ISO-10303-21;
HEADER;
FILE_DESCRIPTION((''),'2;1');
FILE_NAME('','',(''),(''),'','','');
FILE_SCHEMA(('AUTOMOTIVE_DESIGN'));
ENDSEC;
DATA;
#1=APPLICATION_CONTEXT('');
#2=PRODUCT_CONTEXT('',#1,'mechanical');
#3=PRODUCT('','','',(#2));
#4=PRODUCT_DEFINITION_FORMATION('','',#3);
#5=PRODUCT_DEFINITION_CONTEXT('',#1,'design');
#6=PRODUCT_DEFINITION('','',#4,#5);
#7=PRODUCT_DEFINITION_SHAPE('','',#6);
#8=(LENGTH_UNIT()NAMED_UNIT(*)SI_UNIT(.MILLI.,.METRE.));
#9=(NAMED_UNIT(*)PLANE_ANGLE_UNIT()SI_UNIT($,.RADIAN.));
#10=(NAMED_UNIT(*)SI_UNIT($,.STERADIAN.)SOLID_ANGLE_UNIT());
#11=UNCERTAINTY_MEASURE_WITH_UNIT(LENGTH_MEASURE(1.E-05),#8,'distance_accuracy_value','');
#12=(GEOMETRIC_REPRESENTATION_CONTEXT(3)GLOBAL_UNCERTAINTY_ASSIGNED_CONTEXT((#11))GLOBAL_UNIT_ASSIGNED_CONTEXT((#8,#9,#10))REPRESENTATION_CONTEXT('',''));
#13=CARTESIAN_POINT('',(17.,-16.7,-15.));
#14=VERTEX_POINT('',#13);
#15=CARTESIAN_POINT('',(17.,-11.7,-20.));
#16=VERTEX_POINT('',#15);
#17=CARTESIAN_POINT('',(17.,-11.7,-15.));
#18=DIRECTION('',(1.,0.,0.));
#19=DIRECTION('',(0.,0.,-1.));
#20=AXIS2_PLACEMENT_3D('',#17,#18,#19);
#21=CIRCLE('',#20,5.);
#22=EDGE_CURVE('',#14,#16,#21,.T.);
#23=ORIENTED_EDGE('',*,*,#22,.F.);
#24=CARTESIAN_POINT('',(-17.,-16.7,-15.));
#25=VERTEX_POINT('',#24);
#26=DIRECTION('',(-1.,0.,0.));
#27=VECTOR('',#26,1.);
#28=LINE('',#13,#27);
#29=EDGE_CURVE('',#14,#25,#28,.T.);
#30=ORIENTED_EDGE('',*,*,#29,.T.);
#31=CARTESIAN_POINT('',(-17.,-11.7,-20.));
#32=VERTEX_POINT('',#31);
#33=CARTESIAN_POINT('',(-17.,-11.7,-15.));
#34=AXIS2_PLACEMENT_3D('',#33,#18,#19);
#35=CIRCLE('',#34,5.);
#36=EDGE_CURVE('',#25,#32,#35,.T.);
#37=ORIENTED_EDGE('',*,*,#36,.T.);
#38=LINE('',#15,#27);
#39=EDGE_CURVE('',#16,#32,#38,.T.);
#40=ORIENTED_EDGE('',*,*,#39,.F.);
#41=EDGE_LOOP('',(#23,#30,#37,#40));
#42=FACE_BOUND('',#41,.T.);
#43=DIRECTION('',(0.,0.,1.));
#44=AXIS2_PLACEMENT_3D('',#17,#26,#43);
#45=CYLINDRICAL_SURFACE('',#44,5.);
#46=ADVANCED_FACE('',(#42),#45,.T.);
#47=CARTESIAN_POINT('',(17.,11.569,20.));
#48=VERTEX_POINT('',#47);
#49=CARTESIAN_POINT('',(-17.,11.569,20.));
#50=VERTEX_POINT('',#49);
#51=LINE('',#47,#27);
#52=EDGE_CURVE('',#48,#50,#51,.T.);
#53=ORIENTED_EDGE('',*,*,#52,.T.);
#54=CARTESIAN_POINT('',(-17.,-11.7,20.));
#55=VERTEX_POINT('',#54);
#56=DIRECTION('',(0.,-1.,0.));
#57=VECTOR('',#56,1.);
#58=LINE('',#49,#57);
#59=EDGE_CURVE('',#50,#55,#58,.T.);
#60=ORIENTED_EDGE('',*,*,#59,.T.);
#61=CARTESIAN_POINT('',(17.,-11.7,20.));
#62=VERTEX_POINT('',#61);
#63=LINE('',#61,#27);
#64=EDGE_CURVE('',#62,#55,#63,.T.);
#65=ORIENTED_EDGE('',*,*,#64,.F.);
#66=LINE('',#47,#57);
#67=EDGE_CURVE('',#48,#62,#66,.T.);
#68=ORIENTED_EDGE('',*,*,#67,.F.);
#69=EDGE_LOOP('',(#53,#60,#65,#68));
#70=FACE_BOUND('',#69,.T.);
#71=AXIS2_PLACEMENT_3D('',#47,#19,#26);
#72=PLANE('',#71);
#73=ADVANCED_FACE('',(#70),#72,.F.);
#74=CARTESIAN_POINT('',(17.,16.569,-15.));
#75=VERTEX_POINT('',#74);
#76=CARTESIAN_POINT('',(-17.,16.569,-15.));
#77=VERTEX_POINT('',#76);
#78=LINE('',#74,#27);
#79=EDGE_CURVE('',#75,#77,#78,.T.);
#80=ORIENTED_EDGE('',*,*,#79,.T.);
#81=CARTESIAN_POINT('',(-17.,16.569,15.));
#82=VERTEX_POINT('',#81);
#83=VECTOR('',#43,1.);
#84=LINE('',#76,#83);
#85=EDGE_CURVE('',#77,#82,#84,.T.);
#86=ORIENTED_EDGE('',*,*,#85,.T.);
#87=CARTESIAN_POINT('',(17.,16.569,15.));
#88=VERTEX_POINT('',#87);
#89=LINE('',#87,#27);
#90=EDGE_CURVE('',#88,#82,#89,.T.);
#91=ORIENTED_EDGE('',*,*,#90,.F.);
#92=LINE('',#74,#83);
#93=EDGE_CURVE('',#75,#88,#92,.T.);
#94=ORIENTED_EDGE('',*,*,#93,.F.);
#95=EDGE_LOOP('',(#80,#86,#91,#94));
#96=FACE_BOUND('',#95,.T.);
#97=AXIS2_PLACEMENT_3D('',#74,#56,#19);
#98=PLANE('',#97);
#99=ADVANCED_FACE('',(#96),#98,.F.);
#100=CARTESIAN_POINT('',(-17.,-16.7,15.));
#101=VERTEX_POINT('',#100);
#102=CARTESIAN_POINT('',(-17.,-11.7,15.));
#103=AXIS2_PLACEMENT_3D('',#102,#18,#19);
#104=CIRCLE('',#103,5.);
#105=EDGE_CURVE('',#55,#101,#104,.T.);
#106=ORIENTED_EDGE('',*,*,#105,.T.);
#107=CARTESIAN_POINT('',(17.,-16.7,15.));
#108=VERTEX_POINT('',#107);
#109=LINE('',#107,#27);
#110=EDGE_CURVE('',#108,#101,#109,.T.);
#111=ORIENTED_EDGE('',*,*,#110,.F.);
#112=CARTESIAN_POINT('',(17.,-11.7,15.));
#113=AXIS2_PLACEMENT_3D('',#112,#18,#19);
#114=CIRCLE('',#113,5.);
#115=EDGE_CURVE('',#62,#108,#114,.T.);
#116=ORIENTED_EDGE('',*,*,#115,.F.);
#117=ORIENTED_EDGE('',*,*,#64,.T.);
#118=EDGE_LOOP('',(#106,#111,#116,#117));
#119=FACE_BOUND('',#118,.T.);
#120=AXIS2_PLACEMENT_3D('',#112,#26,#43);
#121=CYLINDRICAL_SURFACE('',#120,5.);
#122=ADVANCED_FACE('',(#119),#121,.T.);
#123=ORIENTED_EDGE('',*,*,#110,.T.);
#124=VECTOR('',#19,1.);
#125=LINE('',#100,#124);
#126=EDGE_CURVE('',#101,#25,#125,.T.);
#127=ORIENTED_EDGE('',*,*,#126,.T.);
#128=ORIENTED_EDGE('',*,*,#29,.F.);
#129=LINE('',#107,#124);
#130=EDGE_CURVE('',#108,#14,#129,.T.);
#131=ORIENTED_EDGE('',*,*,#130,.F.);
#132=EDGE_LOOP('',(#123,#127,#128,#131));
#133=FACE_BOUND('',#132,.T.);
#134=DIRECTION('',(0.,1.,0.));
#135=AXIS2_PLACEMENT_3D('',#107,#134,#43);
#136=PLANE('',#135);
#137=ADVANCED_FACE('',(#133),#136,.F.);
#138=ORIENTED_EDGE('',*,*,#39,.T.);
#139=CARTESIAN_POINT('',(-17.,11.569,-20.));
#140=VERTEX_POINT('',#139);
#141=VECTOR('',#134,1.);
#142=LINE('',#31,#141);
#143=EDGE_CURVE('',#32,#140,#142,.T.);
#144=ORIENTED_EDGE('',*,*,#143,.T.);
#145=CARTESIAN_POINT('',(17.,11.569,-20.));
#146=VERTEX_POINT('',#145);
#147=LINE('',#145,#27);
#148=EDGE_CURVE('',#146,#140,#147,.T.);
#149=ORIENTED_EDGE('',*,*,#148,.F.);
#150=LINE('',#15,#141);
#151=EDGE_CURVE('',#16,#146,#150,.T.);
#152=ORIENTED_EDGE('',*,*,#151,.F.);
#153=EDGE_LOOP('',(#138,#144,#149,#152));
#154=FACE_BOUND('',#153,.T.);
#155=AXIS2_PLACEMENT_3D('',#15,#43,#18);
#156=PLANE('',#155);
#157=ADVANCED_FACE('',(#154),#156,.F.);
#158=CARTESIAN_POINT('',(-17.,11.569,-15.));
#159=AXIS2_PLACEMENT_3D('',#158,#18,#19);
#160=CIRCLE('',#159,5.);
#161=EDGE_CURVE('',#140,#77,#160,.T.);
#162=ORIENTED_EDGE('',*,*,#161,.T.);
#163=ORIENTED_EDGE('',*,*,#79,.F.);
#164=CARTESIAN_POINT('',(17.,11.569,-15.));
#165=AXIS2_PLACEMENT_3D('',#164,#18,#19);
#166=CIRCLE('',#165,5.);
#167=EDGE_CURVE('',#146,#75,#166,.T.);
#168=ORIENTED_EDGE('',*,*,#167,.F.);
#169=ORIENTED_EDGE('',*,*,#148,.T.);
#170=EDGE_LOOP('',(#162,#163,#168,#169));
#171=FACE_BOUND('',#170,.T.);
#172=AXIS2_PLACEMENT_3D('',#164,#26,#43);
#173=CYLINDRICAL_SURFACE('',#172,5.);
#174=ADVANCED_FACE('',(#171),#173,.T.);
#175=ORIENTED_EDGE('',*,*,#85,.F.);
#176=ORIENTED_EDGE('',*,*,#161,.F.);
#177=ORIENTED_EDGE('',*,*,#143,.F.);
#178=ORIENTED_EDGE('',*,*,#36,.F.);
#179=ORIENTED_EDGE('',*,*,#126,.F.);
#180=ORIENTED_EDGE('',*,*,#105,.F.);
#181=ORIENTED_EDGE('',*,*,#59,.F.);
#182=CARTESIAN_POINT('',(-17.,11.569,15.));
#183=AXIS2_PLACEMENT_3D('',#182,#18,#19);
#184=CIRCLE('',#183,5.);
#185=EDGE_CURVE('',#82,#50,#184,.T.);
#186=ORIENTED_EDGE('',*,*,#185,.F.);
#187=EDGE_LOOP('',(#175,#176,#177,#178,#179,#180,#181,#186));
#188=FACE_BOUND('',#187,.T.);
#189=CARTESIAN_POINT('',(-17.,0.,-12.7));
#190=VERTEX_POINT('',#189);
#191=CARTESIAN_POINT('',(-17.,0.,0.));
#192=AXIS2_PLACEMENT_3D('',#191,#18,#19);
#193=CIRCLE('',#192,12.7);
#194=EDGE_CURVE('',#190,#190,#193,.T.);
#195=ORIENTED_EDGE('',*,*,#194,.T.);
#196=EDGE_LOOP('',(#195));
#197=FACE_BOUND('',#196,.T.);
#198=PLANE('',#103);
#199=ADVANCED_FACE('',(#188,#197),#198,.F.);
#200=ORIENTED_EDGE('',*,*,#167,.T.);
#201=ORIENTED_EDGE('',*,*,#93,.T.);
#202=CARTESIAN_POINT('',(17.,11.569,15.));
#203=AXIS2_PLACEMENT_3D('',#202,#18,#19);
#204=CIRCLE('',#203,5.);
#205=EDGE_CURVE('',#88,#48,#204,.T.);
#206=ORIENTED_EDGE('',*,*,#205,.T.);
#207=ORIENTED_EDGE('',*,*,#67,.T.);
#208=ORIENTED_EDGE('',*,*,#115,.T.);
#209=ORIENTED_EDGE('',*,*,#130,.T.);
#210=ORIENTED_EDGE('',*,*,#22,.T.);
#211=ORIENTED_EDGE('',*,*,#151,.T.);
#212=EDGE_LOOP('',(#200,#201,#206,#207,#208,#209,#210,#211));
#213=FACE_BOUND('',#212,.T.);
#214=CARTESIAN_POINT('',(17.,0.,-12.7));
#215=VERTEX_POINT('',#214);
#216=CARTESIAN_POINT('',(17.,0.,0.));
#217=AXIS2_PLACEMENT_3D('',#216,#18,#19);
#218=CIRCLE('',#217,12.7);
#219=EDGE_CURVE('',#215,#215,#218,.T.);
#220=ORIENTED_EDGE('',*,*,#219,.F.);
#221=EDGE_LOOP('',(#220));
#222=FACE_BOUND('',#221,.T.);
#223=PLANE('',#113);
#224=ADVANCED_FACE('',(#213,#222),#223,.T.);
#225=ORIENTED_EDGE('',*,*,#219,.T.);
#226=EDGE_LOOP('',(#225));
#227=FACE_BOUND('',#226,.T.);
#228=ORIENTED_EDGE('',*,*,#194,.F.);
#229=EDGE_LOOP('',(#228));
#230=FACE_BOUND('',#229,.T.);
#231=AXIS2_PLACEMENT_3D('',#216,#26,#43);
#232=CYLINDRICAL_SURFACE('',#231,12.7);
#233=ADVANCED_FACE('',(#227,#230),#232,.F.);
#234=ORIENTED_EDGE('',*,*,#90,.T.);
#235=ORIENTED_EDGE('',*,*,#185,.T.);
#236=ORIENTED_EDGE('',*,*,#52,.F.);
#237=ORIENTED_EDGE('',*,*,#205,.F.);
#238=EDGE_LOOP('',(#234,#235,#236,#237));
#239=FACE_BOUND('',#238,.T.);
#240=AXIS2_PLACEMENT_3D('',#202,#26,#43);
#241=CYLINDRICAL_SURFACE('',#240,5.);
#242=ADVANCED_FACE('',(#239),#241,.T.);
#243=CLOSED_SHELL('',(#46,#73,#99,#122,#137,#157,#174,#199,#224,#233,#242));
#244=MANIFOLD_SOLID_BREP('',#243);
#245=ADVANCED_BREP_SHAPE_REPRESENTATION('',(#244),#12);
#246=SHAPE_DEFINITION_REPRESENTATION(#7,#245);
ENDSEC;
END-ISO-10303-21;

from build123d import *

# Parameters (mm, degrees)
SKETCH1_R           = 12.7
BOSS_EXTRUDE1_DEPTH = 17


with BuildPart() as part:
    # Sketch1 → Boss-Extrude1 (new, symmetric)
    with BuildSketch(Plane(origin=(0, 0, 0), x_dir=(0, 0, -1), z_dir=(1, 0, 0))):
        with BuildLine():
            Line((-15, -16.7), (15, -16.7))
            ThreePointArc((15, -16.7), (18.535533906, -15.235533906), (20, -11.7))
            Line((20, -11.7), (20, 11.569))
            ThreePointArc((20, 11.569), (18.535533906, 15.104533906), (15, 16.569))
            Line((15, 16.569), (-15, 16.569))
            ThreePointArc((-15, 16.569), (-18.535533906, 15.104533906), (-20, 11.569))
            Line((-20, 11.569), (-20, -11.7))
            ThreePointArc((-20, -11.7), (-18.535533906, -15.235533906), (-15, -16.7))
        make_face()
        Circle(SKETCH1_R, mode=Mode.SUBTRACT)
    extrude(amount=BOSS_EXTRUDE1_DEPTH, both=True)


solid = part.part
